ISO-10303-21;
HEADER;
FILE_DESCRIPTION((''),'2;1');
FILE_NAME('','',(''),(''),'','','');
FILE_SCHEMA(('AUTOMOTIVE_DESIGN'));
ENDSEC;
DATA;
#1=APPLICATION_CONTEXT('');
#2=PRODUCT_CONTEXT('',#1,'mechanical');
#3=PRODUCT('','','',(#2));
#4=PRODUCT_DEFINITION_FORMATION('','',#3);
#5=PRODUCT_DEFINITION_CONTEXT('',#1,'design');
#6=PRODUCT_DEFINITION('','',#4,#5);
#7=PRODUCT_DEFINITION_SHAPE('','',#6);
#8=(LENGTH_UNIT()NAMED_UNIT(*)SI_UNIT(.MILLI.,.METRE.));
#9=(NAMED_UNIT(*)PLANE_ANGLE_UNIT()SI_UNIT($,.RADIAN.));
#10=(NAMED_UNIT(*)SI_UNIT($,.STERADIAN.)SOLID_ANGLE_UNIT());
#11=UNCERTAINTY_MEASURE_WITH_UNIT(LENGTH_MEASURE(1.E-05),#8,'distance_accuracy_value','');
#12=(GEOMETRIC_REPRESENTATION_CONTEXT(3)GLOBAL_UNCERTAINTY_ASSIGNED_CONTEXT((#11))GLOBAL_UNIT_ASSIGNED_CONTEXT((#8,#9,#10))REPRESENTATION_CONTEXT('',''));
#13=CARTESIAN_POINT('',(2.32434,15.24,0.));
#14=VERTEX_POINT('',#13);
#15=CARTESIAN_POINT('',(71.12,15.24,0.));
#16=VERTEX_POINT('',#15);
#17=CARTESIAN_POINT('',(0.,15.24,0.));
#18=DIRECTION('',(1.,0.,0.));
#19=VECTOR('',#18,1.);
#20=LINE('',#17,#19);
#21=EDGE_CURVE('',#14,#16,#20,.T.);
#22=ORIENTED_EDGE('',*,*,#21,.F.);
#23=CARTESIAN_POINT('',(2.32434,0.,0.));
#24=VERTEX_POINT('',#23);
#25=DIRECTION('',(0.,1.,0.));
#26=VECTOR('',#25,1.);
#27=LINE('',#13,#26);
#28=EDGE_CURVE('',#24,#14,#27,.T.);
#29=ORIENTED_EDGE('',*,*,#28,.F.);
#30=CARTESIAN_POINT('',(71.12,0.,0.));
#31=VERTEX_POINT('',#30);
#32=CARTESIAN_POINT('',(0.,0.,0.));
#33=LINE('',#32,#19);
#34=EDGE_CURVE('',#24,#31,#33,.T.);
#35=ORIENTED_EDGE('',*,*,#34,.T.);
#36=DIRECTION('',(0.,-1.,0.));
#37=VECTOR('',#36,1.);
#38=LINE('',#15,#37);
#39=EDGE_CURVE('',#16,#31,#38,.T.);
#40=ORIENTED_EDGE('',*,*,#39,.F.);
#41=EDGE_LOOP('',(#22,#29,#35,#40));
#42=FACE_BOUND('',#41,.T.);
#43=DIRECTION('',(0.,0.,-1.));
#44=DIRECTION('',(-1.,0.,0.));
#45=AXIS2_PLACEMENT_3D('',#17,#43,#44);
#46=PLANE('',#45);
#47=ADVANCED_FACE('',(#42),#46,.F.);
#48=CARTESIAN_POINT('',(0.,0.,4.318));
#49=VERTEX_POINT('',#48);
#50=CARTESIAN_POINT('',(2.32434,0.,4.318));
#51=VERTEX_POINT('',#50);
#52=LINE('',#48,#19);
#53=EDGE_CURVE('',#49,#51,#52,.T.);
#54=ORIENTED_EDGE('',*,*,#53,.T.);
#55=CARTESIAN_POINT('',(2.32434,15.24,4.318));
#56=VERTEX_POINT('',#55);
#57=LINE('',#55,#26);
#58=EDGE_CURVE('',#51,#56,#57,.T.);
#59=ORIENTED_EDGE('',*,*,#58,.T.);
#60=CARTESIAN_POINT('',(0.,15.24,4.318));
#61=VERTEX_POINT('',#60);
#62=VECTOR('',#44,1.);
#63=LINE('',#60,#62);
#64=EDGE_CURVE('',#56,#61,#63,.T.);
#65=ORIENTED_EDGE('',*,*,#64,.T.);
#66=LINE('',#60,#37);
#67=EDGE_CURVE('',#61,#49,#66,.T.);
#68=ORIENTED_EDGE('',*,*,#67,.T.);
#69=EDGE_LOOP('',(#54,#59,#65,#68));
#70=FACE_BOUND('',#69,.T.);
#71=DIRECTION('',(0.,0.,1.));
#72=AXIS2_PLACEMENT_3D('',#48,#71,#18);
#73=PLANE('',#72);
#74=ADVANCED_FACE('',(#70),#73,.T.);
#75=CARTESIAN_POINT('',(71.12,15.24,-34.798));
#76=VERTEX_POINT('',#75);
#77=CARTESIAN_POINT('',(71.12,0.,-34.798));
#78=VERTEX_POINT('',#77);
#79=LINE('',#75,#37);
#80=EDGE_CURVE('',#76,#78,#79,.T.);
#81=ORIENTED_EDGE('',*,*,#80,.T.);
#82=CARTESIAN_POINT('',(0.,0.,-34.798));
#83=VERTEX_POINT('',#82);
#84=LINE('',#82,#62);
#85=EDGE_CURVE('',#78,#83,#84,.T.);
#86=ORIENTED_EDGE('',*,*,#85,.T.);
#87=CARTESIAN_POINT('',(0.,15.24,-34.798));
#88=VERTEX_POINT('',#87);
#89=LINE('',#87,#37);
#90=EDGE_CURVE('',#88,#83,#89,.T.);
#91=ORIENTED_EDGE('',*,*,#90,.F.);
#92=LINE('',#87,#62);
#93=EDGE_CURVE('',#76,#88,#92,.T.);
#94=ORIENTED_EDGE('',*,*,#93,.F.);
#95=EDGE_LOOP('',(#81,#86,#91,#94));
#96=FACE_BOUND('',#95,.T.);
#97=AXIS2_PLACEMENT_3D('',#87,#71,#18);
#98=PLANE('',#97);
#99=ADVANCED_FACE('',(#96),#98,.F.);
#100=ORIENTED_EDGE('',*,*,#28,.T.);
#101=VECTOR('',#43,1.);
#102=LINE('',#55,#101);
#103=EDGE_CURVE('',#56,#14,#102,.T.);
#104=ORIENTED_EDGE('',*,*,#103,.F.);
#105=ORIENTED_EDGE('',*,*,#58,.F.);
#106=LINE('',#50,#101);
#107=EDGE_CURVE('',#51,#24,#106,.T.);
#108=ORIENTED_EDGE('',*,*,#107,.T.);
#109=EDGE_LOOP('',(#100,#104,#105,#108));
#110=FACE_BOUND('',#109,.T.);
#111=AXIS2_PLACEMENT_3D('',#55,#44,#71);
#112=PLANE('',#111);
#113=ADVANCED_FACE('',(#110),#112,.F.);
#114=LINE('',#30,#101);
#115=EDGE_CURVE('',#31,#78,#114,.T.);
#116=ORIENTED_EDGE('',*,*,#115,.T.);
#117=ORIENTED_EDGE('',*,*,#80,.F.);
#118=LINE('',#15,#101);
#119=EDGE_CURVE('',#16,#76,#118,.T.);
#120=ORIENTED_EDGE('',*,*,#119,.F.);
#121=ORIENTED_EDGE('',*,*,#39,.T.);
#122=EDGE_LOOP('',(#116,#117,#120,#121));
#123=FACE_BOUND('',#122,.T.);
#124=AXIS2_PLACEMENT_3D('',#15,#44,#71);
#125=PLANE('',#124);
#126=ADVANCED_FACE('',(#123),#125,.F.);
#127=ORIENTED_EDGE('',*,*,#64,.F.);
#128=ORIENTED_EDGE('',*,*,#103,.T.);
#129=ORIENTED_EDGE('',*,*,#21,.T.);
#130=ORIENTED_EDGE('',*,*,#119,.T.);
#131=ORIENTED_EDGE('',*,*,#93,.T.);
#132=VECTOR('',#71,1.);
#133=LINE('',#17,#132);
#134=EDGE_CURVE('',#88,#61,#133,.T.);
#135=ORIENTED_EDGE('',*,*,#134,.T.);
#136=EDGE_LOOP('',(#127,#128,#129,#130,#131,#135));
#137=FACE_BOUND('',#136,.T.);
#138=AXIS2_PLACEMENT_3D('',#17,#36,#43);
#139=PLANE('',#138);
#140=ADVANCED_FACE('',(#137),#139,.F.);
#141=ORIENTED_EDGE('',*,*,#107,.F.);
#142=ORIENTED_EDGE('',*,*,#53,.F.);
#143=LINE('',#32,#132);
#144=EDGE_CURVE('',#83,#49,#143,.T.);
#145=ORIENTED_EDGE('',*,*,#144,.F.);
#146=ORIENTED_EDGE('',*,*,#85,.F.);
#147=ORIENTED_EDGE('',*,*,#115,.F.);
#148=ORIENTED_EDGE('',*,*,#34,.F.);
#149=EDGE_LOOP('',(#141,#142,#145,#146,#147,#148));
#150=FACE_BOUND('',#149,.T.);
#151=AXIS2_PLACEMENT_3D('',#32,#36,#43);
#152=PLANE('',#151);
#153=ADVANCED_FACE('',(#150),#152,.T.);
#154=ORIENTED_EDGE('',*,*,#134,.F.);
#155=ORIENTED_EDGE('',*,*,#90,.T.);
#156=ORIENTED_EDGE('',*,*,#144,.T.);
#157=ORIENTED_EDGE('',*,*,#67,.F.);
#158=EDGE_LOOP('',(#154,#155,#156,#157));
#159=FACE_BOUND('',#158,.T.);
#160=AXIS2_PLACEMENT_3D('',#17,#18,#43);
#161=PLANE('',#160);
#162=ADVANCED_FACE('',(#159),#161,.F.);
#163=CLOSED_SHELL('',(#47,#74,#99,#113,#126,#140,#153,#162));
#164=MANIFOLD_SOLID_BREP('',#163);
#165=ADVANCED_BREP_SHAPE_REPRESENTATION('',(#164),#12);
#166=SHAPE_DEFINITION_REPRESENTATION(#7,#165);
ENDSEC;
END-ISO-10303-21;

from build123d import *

# Parameters (mm, degrees)
SKETCH1_W           = 71.12
SKETCH1_H           = 34.798
BOSS_EXTRUDE1_DEPTH = 15.24
SKETCH2_W           = 2.324339834
SKETCH2_H           = 15.24
BOSS_EXTRUDE2_DEPTH = 4.318


with BuildPart() as part:
    # Sketch1 → Boss-Extrude1 (new body)
    with BuildSketch(Plane(origin=(0, 0, 0), x_dir=(1, 0, 0), z_dir=(0, 1, 0))):
        with Locations((35.56, 17.399)):
            Rectangle(SKETCH1_W, SKETCH1_H)
    extrude(amount=BOSS_EXTRUDE1_DEPTH)

    # Sketch2 → Boss-Extrude2 (add)
    with BuildSketch(Plane.XY):
        with Locations((1.162169917, 7.62)):
            Rectangle(SKETCH2_W, SKETCH2_H)
    extrude(amount=BOSS_EXTRUDE2_DEPTH)


solid = part.part
